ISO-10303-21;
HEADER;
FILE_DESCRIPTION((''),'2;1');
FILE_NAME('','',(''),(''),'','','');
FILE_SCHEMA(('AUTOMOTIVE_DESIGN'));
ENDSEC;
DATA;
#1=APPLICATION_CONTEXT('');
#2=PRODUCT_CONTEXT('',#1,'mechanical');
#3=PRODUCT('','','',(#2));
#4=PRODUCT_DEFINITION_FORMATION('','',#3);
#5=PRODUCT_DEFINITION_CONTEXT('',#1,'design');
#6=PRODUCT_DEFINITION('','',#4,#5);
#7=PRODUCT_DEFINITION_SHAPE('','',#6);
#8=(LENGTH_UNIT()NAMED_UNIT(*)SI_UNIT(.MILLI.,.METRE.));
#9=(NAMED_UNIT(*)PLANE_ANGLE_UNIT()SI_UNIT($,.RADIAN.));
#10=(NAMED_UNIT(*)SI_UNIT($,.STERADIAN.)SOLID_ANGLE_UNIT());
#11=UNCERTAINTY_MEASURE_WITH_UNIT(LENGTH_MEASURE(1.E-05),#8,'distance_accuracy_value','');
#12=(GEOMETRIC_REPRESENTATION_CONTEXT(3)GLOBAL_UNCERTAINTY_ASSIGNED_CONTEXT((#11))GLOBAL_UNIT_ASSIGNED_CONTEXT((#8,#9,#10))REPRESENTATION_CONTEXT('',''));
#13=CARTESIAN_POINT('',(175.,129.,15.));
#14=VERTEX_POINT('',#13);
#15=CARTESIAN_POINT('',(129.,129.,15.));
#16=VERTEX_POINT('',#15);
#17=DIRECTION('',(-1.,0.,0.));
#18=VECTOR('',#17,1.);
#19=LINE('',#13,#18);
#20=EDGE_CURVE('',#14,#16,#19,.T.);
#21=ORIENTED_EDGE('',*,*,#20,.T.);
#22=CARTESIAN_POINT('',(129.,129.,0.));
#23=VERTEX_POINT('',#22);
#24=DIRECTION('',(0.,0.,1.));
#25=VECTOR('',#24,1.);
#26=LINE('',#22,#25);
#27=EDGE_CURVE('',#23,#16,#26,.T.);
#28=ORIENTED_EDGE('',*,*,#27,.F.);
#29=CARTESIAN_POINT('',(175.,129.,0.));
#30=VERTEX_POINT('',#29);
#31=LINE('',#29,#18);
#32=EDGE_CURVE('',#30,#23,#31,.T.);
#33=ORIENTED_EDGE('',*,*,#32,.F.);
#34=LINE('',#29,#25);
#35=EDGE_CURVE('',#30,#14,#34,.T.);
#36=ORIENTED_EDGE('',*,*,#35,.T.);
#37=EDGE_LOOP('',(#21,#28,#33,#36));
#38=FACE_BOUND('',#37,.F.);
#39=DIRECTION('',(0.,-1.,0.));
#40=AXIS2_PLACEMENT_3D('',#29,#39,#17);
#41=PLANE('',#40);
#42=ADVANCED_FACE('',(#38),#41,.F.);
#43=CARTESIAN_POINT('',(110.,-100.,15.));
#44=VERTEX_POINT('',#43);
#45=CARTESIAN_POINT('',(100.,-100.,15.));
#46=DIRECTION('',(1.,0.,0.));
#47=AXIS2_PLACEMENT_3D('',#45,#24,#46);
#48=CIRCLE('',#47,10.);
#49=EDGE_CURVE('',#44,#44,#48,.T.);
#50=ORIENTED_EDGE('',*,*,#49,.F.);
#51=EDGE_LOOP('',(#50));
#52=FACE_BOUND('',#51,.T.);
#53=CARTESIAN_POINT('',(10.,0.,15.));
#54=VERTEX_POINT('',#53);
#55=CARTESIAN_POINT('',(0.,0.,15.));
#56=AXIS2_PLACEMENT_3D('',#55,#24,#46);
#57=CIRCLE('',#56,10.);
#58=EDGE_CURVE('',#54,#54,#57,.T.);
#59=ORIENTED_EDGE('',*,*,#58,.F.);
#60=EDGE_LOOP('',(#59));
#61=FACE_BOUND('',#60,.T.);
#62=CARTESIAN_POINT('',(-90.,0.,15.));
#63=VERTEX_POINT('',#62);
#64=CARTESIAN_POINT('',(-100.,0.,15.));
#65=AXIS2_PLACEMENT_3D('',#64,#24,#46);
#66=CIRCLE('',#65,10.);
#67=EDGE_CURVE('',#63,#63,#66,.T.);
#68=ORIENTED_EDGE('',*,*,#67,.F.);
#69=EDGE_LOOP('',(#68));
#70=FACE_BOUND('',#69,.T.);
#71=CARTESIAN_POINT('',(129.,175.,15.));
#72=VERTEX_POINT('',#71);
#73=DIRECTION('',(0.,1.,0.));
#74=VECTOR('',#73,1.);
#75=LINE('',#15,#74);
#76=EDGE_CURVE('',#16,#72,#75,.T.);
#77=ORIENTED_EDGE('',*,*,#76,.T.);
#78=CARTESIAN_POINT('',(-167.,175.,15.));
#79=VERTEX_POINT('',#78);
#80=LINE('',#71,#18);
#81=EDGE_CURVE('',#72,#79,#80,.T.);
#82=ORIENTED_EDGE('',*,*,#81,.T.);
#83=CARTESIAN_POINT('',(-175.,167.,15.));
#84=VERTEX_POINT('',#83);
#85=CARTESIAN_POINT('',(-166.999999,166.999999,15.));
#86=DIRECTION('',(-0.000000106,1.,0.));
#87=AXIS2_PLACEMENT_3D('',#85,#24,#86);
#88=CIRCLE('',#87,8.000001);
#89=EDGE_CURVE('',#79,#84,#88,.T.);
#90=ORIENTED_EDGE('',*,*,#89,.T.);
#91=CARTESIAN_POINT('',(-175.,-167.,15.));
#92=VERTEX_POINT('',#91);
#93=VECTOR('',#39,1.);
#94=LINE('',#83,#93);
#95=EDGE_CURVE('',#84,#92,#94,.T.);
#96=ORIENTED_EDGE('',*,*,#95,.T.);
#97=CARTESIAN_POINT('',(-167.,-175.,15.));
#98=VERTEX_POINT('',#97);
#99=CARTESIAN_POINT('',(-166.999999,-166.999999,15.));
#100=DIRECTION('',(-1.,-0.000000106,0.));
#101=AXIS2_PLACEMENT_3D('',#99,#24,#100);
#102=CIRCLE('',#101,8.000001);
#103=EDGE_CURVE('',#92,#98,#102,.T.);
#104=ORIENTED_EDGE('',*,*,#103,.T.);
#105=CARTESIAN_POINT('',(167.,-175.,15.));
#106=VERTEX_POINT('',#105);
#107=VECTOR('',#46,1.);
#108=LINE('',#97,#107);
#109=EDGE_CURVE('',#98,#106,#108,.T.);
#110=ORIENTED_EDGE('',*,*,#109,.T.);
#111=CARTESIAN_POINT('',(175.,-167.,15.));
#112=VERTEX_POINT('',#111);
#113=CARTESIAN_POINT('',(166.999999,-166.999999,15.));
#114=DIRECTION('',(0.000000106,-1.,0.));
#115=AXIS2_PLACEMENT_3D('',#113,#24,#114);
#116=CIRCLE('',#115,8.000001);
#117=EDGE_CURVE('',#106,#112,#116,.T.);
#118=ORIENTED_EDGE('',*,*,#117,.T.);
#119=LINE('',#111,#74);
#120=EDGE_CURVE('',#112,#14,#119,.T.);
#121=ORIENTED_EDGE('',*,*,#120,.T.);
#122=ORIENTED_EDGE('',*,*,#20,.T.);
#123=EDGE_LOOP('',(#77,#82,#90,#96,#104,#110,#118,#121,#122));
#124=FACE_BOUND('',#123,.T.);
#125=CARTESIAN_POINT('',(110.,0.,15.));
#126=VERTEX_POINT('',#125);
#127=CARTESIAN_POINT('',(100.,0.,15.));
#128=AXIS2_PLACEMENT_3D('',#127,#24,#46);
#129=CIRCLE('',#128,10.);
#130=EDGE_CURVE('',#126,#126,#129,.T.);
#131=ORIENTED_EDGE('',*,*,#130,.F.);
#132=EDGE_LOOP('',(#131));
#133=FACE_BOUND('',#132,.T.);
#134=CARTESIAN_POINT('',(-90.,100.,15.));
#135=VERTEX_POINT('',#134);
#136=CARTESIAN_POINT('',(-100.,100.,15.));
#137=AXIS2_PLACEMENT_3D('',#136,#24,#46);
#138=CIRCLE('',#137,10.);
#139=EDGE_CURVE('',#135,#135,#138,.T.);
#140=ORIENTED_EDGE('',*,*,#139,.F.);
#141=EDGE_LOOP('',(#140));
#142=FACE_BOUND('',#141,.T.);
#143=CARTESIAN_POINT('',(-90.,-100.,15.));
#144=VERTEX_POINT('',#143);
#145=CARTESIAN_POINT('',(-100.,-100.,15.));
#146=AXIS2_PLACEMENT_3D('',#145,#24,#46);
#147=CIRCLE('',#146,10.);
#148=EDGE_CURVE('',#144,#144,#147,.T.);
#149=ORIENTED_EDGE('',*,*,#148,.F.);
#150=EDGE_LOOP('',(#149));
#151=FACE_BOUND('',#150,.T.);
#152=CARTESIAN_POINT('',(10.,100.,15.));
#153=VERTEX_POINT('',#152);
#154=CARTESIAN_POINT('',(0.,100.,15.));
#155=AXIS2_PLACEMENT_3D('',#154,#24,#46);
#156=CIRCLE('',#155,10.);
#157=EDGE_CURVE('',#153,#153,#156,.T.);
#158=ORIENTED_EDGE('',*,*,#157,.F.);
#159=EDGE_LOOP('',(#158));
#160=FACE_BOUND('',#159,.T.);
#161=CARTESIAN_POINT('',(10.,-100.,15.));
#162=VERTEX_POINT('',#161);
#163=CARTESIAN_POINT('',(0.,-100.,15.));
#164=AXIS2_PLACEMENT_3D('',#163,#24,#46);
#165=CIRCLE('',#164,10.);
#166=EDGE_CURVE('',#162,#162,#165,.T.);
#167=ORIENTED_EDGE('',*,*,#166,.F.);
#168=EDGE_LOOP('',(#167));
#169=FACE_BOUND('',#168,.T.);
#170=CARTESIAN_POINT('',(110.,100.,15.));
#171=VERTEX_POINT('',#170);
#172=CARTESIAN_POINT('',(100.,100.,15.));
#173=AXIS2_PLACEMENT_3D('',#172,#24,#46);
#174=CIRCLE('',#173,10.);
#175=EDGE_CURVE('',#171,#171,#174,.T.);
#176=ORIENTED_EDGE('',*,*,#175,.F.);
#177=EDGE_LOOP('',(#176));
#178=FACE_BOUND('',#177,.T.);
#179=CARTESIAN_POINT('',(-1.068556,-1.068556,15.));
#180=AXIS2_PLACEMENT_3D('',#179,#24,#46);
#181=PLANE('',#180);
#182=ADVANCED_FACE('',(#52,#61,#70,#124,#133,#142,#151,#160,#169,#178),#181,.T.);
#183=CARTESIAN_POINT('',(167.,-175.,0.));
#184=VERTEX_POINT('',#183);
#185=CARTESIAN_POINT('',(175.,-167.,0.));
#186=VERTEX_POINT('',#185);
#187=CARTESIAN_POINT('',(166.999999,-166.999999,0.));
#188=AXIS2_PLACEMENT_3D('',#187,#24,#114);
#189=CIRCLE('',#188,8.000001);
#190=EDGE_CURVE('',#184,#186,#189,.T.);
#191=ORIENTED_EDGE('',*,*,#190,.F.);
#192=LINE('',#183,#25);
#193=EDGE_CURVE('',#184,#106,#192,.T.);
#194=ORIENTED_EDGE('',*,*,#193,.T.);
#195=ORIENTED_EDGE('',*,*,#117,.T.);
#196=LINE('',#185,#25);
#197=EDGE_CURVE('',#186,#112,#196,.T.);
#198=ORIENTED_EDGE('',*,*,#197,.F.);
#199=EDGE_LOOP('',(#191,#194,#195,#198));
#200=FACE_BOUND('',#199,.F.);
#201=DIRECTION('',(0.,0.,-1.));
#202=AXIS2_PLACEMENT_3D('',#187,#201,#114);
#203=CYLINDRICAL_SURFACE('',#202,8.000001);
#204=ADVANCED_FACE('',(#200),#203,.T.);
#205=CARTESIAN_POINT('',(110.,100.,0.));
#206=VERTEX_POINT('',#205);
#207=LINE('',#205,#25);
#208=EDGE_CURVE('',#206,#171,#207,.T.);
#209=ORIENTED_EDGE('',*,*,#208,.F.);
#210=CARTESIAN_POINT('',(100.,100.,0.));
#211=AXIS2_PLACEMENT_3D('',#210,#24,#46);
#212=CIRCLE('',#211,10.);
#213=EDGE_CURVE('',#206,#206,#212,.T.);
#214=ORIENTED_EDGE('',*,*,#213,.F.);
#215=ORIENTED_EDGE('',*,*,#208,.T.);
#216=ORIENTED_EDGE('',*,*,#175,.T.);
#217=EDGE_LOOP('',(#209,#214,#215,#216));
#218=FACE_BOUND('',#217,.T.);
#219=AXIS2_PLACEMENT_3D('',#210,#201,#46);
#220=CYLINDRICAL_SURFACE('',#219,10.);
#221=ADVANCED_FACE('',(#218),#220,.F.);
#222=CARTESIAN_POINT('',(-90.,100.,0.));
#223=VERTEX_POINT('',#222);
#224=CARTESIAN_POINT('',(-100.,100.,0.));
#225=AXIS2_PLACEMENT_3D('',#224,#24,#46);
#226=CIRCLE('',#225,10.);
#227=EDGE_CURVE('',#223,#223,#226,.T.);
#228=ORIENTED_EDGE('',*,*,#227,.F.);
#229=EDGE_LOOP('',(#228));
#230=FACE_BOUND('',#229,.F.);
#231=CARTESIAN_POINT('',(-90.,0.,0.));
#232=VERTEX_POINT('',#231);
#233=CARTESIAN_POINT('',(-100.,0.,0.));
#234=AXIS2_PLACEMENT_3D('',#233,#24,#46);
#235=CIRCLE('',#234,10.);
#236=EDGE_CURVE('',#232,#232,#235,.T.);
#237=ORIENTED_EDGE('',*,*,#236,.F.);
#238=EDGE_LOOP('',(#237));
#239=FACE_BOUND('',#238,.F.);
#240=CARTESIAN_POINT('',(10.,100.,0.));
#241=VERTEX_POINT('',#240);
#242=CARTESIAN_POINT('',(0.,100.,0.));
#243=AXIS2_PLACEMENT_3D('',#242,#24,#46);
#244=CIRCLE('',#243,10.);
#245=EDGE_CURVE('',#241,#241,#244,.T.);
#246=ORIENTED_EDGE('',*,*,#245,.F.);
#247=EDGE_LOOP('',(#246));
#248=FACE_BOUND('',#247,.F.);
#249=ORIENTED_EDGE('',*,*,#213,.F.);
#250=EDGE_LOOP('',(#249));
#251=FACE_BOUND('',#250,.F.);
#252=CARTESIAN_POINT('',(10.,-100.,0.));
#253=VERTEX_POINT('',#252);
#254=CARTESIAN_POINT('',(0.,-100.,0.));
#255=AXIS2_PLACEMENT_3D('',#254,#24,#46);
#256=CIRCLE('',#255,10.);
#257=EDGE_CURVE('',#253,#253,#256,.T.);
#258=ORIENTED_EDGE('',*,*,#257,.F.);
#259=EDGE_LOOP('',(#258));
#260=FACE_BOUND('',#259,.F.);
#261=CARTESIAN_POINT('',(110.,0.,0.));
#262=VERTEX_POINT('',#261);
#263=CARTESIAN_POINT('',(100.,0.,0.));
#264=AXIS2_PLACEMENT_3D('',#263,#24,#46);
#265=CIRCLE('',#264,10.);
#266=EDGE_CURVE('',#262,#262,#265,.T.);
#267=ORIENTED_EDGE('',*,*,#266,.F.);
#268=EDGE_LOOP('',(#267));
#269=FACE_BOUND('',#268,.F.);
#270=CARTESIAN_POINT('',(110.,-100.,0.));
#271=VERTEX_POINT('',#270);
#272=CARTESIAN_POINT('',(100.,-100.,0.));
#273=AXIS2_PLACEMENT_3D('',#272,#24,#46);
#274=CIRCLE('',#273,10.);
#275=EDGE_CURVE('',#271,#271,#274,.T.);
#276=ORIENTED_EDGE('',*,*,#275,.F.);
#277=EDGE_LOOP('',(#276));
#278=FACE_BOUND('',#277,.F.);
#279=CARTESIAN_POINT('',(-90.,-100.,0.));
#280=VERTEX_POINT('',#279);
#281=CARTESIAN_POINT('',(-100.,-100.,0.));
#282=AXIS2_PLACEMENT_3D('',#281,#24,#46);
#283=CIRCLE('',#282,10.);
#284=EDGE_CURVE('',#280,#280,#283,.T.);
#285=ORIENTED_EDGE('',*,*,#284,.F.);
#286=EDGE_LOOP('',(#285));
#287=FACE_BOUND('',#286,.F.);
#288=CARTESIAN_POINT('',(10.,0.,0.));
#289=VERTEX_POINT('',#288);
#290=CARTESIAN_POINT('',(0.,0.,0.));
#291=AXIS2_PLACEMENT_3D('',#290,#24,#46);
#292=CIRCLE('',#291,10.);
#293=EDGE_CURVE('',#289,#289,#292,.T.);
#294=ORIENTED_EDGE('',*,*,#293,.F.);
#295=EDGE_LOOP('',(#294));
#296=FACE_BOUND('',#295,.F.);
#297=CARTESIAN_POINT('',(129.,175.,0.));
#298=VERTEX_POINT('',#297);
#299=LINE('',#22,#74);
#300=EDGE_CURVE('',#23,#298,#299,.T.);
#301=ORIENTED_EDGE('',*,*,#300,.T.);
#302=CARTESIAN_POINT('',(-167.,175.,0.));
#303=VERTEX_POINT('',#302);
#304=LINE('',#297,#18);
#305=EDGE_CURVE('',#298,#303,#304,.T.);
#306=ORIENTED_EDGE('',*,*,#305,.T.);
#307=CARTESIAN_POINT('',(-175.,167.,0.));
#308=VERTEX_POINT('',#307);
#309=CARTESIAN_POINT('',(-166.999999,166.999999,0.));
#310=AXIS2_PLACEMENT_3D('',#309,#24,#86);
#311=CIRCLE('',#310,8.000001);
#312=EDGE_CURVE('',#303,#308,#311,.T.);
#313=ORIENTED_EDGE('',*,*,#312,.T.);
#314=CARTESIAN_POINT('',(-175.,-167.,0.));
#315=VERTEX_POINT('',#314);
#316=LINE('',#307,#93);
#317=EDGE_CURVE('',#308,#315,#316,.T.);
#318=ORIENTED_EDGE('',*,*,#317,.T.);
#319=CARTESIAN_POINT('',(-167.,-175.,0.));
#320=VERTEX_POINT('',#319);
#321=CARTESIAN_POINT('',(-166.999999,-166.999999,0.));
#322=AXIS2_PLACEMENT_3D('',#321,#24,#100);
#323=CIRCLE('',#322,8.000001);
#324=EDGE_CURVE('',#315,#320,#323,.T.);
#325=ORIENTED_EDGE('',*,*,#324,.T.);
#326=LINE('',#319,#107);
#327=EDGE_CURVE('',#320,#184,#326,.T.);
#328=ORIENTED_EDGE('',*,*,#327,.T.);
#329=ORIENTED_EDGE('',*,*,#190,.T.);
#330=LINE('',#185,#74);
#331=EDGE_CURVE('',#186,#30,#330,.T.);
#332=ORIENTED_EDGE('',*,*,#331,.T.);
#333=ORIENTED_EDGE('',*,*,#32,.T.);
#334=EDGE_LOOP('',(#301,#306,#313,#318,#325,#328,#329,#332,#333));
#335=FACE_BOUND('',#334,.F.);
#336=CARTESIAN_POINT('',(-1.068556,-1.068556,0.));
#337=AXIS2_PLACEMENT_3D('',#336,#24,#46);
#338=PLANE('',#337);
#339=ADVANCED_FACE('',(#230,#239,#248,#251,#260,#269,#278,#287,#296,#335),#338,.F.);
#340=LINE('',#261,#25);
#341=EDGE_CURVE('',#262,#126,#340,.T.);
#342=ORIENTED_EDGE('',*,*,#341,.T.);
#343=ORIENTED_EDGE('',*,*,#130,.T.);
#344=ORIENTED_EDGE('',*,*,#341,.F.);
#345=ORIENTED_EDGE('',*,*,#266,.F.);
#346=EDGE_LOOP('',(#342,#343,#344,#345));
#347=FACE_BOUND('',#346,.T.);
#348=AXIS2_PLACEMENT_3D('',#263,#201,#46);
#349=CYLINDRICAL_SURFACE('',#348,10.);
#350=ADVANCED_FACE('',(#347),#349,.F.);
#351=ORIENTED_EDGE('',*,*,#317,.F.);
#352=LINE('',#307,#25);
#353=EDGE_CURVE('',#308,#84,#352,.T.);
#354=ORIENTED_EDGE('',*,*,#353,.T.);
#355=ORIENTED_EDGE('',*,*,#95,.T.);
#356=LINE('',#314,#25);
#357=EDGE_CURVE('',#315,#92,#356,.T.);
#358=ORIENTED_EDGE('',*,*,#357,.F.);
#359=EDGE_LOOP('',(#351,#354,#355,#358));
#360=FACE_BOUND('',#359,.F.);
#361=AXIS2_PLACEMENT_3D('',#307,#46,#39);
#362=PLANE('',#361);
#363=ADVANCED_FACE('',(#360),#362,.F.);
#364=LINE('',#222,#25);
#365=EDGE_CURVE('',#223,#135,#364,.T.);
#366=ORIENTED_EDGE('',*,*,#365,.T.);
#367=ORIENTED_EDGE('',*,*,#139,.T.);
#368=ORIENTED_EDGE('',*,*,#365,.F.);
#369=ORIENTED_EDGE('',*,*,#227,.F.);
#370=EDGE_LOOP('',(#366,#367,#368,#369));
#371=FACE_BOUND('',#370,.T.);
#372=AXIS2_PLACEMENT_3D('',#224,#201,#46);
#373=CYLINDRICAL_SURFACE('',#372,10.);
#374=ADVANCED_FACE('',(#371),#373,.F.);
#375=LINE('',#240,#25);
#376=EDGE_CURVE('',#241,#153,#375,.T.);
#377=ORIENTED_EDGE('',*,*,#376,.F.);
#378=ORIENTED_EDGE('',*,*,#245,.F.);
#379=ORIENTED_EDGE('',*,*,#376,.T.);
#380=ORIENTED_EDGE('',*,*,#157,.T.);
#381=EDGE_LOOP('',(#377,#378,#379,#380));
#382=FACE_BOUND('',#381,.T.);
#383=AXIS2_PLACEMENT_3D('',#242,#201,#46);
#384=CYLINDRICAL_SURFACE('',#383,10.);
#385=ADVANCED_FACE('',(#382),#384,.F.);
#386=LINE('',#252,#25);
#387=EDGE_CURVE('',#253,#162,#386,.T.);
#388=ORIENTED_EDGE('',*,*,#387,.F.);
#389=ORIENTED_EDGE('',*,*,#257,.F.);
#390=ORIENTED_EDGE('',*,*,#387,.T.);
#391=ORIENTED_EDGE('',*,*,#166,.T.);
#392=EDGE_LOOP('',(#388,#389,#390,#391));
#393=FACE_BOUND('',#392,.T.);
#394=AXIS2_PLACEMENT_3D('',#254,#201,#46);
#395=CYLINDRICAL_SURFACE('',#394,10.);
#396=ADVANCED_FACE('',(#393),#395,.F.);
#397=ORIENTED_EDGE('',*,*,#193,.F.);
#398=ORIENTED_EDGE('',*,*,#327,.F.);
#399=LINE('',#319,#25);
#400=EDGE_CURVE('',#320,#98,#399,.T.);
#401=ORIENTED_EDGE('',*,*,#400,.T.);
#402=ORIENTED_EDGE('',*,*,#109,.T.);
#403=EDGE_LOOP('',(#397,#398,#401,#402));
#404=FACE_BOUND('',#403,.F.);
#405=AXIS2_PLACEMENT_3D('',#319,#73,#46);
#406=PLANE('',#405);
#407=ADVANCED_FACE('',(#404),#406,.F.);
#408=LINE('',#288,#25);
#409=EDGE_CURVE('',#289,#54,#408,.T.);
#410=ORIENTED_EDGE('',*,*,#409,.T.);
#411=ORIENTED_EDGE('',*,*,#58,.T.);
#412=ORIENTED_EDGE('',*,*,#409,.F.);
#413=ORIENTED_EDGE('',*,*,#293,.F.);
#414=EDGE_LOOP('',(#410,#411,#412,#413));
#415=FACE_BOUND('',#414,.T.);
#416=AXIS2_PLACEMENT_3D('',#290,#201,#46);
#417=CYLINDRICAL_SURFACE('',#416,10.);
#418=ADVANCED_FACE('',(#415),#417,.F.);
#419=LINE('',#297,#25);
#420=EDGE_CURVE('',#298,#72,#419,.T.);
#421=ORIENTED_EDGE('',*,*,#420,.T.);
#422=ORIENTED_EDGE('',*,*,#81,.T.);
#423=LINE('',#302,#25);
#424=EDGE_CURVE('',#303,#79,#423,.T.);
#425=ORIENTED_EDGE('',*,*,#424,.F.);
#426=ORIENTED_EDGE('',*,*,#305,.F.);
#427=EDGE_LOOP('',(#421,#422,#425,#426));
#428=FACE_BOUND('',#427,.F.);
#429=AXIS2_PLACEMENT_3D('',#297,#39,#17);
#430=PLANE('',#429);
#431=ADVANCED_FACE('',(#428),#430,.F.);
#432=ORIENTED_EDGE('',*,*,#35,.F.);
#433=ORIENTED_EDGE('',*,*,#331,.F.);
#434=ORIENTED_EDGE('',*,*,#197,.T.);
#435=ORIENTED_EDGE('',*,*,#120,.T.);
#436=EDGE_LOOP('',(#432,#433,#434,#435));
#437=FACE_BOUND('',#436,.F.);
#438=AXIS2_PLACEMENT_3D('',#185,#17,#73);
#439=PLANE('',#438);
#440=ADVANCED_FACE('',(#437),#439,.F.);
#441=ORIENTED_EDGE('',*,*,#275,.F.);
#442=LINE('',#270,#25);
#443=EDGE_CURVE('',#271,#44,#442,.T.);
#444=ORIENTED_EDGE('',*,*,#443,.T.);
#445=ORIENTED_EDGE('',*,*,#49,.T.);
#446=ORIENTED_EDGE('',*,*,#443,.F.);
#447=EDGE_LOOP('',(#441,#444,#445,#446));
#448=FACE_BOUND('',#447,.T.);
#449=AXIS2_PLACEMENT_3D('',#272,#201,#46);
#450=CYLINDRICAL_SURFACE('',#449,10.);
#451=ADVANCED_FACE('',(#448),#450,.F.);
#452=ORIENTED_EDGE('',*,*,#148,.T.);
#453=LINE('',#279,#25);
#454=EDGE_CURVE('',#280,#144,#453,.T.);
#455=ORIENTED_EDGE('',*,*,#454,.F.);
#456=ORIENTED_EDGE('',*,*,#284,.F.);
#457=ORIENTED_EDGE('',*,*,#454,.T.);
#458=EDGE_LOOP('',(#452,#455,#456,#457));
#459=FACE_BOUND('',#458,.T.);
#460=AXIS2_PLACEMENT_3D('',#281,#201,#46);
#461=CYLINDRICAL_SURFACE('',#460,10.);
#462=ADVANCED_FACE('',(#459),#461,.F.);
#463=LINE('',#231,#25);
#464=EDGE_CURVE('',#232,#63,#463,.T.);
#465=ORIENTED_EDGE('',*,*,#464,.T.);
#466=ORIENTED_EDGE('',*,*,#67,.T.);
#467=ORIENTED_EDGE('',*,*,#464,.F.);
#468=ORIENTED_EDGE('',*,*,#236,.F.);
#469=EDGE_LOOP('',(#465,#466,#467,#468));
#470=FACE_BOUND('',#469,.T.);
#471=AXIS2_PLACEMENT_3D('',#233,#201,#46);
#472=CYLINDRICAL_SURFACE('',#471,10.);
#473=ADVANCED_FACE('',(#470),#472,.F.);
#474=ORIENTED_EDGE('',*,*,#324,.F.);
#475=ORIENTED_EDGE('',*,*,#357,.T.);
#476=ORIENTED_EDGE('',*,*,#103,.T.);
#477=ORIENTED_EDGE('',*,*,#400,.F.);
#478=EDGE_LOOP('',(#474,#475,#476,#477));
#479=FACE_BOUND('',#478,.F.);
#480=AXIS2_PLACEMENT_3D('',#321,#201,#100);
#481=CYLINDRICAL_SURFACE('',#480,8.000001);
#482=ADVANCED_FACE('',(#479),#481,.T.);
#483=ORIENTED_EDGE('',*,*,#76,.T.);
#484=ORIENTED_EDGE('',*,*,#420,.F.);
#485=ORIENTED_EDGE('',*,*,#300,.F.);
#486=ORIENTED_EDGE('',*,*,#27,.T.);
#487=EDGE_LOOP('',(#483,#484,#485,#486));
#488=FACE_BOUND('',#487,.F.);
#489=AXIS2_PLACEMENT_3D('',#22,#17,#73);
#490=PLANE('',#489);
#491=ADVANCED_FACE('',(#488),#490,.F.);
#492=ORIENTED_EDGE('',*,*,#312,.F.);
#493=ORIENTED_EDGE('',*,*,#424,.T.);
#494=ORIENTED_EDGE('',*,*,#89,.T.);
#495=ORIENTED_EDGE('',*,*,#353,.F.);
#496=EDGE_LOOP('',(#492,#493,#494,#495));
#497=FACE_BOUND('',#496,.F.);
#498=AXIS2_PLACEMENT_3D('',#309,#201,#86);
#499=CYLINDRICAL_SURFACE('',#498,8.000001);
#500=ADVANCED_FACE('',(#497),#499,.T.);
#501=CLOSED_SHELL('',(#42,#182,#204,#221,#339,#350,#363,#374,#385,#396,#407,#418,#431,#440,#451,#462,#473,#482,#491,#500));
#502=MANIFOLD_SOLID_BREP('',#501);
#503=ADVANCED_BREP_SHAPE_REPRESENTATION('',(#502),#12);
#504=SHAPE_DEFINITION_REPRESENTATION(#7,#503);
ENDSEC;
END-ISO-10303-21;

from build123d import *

# Parameters (mm, degrees)
F0_R     = 10
F1_DEPTH = 15


with BuildPart() as f1:
    # F0 (on Top) → F1 (new body)
    with BuildSketch(Plane.XY):
        with BuildLine():
            Line((129, 175), (-167, 175))
            ThreePointArc((-167, 175), (-172.656854, 172.656854), (-175, 167))
            Line((-175, 167), (-175, -167))
            ThreePointArc((-175, -167), (-172.656854, -172.656854), (-167, -175))
            Line((-167, -175), (167, -175))
            ThreePointArc((167, -175), (172.656854, -172.656854), (175, -167))
            Line((175, -167), (175, 129))
            Line((175, 129), (129, 129))
            Line((129, 129), (129, 175))
        make_face()
        with Locations((-100, -100)):
            Circle(F0_R, mode=Mode.SUBTRACT)
        with Locations((0, -100)):
            Circle(F0_R, mode=Mode.SUBTRACT)
        with Locations((100, -100)):
            Circle(F0_R, mode=Mode.SUBTRACT)
        with Locations((-100, 0)):
            Circle(F0_R, mode=Mode.SUBTRACT)
        with Locations((-100, 100)):
            Circle(F0_R, mode=Mode.SUBTRACT)
        Circle(F0_R, mode=Mode.SUBTRACT)
        with Locations((100, 0)):
            Circle(F0_R, mode=Mode.SUBTRACT)
        with Locations((0, 100)):
            Circle(F0_R, mode=Mode.SUBTRACT)
        with Locations((100, 100)):
            Circle(F0_R, mode=Mode.SUBTRACT)
    extrude(amount=F1_DEPTH)


solid = f1.part
